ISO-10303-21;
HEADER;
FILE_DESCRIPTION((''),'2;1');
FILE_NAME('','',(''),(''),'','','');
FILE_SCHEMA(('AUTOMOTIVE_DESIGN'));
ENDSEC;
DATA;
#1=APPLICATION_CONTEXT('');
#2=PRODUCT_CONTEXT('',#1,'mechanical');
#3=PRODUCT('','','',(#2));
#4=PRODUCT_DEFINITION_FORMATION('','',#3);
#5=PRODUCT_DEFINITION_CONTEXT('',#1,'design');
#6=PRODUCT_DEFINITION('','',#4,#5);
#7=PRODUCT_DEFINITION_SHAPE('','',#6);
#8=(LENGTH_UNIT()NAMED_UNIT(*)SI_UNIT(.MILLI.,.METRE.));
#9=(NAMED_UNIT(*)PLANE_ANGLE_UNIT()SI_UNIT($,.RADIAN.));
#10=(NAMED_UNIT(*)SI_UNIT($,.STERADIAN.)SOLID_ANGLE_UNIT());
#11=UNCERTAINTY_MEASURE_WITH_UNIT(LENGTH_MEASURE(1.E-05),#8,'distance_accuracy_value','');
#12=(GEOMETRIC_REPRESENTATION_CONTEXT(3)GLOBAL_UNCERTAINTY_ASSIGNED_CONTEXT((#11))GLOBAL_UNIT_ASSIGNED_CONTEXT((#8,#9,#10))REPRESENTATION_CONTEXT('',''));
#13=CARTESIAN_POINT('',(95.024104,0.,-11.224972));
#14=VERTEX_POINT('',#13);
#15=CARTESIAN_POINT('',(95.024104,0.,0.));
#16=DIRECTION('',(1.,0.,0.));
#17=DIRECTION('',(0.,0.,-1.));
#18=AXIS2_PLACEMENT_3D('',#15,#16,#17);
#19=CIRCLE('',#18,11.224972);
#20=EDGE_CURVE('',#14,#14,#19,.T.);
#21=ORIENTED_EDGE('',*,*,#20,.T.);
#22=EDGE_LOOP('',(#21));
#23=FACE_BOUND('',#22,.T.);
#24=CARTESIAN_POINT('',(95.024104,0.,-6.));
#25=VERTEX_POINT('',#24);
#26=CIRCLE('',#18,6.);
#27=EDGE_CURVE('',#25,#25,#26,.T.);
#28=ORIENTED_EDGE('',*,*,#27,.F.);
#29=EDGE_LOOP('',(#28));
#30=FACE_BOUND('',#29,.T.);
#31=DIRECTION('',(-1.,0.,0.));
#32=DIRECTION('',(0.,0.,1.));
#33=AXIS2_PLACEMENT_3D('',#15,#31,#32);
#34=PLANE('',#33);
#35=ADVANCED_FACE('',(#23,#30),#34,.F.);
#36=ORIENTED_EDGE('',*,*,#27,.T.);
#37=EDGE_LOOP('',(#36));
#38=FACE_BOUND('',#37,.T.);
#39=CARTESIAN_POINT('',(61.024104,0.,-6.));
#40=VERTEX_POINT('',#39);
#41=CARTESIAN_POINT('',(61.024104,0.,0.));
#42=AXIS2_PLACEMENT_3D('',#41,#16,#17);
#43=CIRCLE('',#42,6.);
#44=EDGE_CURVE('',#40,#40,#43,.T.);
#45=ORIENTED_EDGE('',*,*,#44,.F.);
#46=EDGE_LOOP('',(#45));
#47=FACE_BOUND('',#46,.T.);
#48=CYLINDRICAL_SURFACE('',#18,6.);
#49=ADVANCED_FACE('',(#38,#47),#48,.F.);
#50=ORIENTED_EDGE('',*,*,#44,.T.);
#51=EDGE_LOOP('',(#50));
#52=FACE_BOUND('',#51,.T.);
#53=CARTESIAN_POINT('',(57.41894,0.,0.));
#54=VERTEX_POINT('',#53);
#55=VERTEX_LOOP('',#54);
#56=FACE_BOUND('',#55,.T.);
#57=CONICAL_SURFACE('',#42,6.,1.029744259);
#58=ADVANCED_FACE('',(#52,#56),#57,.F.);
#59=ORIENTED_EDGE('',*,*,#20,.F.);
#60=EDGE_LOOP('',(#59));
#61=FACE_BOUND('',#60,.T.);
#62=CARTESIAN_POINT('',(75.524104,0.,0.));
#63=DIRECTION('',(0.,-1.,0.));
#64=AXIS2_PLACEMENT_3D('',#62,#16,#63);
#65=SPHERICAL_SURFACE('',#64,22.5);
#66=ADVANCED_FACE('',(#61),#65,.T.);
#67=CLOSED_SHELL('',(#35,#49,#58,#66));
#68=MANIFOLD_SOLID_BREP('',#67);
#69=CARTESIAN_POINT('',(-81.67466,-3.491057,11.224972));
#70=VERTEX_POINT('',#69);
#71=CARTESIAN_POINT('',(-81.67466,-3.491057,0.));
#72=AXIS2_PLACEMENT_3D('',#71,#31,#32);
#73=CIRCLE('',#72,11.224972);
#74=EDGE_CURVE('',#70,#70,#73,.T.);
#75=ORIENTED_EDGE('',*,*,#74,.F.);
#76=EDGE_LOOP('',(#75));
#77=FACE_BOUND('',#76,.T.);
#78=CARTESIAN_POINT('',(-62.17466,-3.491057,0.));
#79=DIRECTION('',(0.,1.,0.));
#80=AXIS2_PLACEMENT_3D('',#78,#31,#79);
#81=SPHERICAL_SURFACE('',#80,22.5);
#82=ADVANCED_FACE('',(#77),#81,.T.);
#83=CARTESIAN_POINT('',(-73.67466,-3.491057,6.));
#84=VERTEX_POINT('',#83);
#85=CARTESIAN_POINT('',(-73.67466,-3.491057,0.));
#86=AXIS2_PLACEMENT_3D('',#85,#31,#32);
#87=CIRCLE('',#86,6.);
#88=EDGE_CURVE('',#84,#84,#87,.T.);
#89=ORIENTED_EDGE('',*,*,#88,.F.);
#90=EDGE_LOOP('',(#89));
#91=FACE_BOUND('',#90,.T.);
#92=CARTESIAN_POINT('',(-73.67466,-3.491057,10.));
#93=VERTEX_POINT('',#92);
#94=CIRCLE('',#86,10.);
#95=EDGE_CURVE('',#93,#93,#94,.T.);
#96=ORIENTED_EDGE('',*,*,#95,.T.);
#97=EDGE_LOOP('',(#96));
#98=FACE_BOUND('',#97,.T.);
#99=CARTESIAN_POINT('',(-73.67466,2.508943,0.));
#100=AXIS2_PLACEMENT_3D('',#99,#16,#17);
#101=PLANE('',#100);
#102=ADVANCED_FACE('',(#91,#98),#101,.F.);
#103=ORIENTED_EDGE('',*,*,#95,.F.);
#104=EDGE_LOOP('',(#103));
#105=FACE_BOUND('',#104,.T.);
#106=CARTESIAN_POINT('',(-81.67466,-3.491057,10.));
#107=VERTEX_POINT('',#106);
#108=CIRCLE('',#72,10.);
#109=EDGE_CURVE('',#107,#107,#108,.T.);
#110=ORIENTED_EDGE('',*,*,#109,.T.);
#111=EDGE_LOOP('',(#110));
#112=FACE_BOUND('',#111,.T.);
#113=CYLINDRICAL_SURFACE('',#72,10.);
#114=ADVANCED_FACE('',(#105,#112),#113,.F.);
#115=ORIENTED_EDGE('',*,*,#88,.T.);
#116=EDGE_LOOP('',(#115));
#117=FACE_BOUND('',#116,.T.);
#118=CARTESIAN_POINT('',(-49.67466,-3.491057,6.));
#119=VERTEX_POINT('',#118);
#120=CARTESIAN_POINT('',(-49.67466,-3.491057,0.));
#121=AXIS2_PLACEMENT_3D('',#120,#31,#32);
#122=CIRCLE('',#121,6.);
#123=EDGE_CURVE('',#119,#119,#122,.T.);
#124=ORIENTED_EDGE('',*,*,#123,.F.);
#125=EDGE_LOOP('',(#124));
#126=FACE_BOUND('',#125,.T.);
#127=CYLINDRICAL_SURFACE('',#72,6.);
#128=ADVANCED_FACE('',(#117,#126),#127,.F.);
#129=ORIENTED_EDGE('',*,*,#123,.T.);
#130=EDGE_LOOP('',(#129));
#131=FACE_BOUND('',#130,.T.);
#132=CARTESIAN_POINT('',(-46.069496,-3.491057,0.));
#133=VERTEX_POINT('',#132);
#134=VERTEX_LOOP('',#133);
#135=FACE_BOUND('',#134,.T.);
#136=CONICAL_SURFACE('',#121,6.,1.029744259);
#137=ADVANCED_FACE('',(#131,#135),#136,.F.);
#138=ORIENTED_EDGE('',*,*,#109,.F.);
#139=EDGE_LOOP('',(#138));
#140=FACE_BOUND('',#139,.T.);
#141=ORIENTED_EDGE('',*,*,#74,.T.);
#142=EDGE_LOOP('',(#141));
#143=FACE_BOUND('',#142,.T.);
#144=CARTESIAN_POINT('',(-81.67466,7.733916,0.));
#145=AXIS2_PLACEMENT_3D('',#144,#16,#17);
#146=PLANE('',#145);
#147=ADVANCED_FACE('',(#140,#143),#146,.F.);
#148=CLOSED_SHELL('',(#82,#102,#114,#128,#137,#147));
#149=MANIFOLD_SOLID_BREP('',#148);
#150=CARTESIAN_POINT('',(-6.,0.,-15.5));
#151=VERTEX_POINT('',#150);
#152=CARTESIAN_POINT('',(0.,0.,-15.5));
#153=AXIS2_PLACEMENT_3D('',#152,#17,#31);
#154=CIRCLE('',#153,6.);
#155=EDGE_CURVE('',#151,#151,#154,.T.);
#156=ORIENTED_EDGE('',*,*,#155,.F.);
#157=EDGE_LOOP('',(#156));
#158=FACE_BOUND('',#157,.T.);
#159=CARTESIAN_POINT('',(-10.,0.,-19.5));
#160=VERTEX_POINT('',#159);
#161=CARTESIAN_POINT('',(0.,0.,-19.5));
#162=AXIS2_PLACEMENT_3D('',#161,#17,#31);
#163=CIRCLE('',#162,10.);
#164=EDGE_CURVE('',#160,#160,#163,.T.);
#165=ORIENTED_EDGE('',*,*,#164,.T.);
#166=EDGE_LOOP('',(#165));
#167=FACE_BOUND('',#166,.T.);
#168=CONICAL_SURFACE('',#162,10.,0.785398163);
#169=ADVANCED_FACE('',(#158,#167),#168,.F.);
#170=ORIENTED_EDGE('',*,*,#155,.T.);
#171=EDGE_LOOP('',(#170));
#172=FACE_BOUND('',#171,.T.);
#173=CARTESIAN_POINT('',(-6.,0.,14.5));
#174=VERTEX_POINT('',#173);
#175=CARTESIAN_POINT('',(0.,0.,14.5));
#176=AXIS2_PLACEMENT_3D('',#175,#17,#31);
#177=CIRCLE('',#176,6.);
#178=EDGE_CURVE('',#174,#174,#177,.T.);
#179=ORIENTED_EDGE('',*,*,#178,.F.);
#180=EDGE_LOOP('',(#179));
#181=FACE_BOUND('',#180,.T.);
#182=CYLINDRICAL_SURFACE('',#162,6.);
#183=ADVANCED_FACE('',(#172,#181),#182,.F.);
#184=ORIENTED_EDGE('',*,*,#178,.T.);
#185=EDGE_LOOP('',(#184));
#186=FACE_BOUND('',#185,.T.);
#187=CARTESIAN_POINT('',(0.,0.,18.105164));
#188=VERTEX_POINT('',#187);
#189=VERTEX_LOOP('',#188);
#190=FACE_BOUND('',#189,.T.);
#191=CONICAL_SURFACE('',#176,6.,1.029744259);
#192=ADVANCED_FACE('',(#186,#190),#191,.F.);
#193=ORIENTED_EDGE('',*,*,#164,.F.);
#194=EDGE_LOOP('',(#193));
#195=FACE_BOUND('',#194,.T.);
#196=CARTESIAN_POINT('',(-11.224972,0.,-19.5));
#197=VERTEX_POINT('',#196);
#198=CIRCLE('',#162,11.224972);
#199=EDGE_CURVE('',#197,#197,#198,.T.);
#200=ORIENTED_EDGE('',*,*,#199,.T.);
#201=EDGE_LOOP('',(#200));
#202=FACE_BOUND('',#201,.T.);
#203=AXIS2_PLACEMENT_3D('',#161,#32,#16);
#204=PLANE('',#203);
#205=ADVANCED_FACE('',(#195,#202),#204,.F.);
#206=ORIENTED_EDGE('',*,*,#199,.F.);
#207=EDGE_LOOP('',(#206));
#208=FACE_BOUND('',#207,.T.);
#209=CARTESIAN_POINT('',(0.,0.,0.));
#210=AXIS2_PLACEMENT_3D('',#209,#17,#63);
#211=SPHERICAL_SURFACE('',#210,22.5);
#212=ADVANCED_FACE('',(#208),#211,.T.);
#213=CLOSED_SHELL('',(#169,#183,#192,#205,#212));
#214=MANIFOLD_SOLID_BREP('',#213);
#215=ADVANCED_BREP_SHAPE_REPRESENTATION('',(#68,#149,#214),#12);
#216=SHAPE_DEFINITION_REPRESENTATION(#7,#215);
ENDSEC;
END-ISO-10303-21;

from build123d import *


with BuildPart() as part:
    # Sketch6 → Revolve7 (revolve)
    with BuildSketch(Plane(origin=(0, 0, 0), x_dir=(0, 0, -1), z_dir=(1, 0, 0))):
        with BuildLine():
            Line((19.5, 0), (-22.5, 0))
            ThreePointArc((-22.5, 0), (-5.809475019, -21.737065119), (19.5, -11.22497216))
            Line((19.5, -11.22497216), (19.5, 0))
        make_face()
    revolve(axis=Axis((0, 0, -19.5), (0, 0, 1)))

    # Sketch14 → CSK for M10 Flat Head Machine Screw1 (revolve, cut)
    with BuildSketch(Plane(origin=(0, 0, -19.5), x_dir=(0, 1, 0), z_dir=(1, 0, 0))):
        Polygon((0, 0), (0, 37.605163714), (6, 34), (6, 4), (10, 0), align=None)
    revolve(axis=Axis((0, 0, -25.85), (0, 0, 1)), mode=Mode.SUBTRACT)


with BuildPart() as body_2:
    # Sketch8 → Revolve8 (revolve)
    with BuildSketch(Plane.XY):
        with BuildLine():
            Line((-81.674659539, -3.491056559), (-39.674659539, -3.491056559))
            ThreePointArc((-39.674659539, -3.491056559), (-56.36518452, 18.246008561), (-81.674659539, 7.733915602))
            Line((-81.674659539, 7.733915602), (-81.674659539, -3.491056559))
        make_face()
    revolve(axis=Axis((-81.674659539, -3.491056559, 0), (1, 0, 0)))

    # Sketch12 → CBORE for M12 Hex Head Bolt1 (revolve, cut)
    with BuildSketch(Plane(origin=(-81.674659539, -3.491056559, 0), x_dir=(0, 0, 1), z_dir=(0, 1, 0))):
        Polygon((0, 0), (0, 35.605163714), (6, 32), (6, 8), (10, 8), (10, 0), align=None)
    revolve(axis=Axis((-88.024659539, -3.491056559, 0), (1, 0, 0)), mode=Mode.SUBTRACT)


with BuildPart() as body_3:
    # Sketch9 → Revolve9 (revolve)
    with BuildSketch(Plane.XY):
        with BuildLine():
            Line((95.024103541, 0), (53.024103541, 0))
            ThreePointArc((53.024103541, 0), (69.714628521, -21.737065119), (95.024103541, -11.22497216))
            Line((95.024103541, -11.22497216), (95.024103541, 0))
        make_face()
    revolve(axis=Axis((95.024103541, 0, 0), (-1, 0, 0)))

    # Sketch16 → M12 Clearance Hole1 (revolve, cut)
    with BuildSketch(Plane(origin=(95.024103541, 0, 0), x_dir=(0, 0, -1), z_dir=(0, 1, 0))):
        Polygon((0, 0), (0, 37.605163714), (6, 34), (6, 0), align=None)
    revolve(axis=Axis((101.374103541, 0, 0), (-1, 0, 0)), mode=Mode.SUBTRACT)


solid = Compound([part.part, body_2.part, body_3.part])
